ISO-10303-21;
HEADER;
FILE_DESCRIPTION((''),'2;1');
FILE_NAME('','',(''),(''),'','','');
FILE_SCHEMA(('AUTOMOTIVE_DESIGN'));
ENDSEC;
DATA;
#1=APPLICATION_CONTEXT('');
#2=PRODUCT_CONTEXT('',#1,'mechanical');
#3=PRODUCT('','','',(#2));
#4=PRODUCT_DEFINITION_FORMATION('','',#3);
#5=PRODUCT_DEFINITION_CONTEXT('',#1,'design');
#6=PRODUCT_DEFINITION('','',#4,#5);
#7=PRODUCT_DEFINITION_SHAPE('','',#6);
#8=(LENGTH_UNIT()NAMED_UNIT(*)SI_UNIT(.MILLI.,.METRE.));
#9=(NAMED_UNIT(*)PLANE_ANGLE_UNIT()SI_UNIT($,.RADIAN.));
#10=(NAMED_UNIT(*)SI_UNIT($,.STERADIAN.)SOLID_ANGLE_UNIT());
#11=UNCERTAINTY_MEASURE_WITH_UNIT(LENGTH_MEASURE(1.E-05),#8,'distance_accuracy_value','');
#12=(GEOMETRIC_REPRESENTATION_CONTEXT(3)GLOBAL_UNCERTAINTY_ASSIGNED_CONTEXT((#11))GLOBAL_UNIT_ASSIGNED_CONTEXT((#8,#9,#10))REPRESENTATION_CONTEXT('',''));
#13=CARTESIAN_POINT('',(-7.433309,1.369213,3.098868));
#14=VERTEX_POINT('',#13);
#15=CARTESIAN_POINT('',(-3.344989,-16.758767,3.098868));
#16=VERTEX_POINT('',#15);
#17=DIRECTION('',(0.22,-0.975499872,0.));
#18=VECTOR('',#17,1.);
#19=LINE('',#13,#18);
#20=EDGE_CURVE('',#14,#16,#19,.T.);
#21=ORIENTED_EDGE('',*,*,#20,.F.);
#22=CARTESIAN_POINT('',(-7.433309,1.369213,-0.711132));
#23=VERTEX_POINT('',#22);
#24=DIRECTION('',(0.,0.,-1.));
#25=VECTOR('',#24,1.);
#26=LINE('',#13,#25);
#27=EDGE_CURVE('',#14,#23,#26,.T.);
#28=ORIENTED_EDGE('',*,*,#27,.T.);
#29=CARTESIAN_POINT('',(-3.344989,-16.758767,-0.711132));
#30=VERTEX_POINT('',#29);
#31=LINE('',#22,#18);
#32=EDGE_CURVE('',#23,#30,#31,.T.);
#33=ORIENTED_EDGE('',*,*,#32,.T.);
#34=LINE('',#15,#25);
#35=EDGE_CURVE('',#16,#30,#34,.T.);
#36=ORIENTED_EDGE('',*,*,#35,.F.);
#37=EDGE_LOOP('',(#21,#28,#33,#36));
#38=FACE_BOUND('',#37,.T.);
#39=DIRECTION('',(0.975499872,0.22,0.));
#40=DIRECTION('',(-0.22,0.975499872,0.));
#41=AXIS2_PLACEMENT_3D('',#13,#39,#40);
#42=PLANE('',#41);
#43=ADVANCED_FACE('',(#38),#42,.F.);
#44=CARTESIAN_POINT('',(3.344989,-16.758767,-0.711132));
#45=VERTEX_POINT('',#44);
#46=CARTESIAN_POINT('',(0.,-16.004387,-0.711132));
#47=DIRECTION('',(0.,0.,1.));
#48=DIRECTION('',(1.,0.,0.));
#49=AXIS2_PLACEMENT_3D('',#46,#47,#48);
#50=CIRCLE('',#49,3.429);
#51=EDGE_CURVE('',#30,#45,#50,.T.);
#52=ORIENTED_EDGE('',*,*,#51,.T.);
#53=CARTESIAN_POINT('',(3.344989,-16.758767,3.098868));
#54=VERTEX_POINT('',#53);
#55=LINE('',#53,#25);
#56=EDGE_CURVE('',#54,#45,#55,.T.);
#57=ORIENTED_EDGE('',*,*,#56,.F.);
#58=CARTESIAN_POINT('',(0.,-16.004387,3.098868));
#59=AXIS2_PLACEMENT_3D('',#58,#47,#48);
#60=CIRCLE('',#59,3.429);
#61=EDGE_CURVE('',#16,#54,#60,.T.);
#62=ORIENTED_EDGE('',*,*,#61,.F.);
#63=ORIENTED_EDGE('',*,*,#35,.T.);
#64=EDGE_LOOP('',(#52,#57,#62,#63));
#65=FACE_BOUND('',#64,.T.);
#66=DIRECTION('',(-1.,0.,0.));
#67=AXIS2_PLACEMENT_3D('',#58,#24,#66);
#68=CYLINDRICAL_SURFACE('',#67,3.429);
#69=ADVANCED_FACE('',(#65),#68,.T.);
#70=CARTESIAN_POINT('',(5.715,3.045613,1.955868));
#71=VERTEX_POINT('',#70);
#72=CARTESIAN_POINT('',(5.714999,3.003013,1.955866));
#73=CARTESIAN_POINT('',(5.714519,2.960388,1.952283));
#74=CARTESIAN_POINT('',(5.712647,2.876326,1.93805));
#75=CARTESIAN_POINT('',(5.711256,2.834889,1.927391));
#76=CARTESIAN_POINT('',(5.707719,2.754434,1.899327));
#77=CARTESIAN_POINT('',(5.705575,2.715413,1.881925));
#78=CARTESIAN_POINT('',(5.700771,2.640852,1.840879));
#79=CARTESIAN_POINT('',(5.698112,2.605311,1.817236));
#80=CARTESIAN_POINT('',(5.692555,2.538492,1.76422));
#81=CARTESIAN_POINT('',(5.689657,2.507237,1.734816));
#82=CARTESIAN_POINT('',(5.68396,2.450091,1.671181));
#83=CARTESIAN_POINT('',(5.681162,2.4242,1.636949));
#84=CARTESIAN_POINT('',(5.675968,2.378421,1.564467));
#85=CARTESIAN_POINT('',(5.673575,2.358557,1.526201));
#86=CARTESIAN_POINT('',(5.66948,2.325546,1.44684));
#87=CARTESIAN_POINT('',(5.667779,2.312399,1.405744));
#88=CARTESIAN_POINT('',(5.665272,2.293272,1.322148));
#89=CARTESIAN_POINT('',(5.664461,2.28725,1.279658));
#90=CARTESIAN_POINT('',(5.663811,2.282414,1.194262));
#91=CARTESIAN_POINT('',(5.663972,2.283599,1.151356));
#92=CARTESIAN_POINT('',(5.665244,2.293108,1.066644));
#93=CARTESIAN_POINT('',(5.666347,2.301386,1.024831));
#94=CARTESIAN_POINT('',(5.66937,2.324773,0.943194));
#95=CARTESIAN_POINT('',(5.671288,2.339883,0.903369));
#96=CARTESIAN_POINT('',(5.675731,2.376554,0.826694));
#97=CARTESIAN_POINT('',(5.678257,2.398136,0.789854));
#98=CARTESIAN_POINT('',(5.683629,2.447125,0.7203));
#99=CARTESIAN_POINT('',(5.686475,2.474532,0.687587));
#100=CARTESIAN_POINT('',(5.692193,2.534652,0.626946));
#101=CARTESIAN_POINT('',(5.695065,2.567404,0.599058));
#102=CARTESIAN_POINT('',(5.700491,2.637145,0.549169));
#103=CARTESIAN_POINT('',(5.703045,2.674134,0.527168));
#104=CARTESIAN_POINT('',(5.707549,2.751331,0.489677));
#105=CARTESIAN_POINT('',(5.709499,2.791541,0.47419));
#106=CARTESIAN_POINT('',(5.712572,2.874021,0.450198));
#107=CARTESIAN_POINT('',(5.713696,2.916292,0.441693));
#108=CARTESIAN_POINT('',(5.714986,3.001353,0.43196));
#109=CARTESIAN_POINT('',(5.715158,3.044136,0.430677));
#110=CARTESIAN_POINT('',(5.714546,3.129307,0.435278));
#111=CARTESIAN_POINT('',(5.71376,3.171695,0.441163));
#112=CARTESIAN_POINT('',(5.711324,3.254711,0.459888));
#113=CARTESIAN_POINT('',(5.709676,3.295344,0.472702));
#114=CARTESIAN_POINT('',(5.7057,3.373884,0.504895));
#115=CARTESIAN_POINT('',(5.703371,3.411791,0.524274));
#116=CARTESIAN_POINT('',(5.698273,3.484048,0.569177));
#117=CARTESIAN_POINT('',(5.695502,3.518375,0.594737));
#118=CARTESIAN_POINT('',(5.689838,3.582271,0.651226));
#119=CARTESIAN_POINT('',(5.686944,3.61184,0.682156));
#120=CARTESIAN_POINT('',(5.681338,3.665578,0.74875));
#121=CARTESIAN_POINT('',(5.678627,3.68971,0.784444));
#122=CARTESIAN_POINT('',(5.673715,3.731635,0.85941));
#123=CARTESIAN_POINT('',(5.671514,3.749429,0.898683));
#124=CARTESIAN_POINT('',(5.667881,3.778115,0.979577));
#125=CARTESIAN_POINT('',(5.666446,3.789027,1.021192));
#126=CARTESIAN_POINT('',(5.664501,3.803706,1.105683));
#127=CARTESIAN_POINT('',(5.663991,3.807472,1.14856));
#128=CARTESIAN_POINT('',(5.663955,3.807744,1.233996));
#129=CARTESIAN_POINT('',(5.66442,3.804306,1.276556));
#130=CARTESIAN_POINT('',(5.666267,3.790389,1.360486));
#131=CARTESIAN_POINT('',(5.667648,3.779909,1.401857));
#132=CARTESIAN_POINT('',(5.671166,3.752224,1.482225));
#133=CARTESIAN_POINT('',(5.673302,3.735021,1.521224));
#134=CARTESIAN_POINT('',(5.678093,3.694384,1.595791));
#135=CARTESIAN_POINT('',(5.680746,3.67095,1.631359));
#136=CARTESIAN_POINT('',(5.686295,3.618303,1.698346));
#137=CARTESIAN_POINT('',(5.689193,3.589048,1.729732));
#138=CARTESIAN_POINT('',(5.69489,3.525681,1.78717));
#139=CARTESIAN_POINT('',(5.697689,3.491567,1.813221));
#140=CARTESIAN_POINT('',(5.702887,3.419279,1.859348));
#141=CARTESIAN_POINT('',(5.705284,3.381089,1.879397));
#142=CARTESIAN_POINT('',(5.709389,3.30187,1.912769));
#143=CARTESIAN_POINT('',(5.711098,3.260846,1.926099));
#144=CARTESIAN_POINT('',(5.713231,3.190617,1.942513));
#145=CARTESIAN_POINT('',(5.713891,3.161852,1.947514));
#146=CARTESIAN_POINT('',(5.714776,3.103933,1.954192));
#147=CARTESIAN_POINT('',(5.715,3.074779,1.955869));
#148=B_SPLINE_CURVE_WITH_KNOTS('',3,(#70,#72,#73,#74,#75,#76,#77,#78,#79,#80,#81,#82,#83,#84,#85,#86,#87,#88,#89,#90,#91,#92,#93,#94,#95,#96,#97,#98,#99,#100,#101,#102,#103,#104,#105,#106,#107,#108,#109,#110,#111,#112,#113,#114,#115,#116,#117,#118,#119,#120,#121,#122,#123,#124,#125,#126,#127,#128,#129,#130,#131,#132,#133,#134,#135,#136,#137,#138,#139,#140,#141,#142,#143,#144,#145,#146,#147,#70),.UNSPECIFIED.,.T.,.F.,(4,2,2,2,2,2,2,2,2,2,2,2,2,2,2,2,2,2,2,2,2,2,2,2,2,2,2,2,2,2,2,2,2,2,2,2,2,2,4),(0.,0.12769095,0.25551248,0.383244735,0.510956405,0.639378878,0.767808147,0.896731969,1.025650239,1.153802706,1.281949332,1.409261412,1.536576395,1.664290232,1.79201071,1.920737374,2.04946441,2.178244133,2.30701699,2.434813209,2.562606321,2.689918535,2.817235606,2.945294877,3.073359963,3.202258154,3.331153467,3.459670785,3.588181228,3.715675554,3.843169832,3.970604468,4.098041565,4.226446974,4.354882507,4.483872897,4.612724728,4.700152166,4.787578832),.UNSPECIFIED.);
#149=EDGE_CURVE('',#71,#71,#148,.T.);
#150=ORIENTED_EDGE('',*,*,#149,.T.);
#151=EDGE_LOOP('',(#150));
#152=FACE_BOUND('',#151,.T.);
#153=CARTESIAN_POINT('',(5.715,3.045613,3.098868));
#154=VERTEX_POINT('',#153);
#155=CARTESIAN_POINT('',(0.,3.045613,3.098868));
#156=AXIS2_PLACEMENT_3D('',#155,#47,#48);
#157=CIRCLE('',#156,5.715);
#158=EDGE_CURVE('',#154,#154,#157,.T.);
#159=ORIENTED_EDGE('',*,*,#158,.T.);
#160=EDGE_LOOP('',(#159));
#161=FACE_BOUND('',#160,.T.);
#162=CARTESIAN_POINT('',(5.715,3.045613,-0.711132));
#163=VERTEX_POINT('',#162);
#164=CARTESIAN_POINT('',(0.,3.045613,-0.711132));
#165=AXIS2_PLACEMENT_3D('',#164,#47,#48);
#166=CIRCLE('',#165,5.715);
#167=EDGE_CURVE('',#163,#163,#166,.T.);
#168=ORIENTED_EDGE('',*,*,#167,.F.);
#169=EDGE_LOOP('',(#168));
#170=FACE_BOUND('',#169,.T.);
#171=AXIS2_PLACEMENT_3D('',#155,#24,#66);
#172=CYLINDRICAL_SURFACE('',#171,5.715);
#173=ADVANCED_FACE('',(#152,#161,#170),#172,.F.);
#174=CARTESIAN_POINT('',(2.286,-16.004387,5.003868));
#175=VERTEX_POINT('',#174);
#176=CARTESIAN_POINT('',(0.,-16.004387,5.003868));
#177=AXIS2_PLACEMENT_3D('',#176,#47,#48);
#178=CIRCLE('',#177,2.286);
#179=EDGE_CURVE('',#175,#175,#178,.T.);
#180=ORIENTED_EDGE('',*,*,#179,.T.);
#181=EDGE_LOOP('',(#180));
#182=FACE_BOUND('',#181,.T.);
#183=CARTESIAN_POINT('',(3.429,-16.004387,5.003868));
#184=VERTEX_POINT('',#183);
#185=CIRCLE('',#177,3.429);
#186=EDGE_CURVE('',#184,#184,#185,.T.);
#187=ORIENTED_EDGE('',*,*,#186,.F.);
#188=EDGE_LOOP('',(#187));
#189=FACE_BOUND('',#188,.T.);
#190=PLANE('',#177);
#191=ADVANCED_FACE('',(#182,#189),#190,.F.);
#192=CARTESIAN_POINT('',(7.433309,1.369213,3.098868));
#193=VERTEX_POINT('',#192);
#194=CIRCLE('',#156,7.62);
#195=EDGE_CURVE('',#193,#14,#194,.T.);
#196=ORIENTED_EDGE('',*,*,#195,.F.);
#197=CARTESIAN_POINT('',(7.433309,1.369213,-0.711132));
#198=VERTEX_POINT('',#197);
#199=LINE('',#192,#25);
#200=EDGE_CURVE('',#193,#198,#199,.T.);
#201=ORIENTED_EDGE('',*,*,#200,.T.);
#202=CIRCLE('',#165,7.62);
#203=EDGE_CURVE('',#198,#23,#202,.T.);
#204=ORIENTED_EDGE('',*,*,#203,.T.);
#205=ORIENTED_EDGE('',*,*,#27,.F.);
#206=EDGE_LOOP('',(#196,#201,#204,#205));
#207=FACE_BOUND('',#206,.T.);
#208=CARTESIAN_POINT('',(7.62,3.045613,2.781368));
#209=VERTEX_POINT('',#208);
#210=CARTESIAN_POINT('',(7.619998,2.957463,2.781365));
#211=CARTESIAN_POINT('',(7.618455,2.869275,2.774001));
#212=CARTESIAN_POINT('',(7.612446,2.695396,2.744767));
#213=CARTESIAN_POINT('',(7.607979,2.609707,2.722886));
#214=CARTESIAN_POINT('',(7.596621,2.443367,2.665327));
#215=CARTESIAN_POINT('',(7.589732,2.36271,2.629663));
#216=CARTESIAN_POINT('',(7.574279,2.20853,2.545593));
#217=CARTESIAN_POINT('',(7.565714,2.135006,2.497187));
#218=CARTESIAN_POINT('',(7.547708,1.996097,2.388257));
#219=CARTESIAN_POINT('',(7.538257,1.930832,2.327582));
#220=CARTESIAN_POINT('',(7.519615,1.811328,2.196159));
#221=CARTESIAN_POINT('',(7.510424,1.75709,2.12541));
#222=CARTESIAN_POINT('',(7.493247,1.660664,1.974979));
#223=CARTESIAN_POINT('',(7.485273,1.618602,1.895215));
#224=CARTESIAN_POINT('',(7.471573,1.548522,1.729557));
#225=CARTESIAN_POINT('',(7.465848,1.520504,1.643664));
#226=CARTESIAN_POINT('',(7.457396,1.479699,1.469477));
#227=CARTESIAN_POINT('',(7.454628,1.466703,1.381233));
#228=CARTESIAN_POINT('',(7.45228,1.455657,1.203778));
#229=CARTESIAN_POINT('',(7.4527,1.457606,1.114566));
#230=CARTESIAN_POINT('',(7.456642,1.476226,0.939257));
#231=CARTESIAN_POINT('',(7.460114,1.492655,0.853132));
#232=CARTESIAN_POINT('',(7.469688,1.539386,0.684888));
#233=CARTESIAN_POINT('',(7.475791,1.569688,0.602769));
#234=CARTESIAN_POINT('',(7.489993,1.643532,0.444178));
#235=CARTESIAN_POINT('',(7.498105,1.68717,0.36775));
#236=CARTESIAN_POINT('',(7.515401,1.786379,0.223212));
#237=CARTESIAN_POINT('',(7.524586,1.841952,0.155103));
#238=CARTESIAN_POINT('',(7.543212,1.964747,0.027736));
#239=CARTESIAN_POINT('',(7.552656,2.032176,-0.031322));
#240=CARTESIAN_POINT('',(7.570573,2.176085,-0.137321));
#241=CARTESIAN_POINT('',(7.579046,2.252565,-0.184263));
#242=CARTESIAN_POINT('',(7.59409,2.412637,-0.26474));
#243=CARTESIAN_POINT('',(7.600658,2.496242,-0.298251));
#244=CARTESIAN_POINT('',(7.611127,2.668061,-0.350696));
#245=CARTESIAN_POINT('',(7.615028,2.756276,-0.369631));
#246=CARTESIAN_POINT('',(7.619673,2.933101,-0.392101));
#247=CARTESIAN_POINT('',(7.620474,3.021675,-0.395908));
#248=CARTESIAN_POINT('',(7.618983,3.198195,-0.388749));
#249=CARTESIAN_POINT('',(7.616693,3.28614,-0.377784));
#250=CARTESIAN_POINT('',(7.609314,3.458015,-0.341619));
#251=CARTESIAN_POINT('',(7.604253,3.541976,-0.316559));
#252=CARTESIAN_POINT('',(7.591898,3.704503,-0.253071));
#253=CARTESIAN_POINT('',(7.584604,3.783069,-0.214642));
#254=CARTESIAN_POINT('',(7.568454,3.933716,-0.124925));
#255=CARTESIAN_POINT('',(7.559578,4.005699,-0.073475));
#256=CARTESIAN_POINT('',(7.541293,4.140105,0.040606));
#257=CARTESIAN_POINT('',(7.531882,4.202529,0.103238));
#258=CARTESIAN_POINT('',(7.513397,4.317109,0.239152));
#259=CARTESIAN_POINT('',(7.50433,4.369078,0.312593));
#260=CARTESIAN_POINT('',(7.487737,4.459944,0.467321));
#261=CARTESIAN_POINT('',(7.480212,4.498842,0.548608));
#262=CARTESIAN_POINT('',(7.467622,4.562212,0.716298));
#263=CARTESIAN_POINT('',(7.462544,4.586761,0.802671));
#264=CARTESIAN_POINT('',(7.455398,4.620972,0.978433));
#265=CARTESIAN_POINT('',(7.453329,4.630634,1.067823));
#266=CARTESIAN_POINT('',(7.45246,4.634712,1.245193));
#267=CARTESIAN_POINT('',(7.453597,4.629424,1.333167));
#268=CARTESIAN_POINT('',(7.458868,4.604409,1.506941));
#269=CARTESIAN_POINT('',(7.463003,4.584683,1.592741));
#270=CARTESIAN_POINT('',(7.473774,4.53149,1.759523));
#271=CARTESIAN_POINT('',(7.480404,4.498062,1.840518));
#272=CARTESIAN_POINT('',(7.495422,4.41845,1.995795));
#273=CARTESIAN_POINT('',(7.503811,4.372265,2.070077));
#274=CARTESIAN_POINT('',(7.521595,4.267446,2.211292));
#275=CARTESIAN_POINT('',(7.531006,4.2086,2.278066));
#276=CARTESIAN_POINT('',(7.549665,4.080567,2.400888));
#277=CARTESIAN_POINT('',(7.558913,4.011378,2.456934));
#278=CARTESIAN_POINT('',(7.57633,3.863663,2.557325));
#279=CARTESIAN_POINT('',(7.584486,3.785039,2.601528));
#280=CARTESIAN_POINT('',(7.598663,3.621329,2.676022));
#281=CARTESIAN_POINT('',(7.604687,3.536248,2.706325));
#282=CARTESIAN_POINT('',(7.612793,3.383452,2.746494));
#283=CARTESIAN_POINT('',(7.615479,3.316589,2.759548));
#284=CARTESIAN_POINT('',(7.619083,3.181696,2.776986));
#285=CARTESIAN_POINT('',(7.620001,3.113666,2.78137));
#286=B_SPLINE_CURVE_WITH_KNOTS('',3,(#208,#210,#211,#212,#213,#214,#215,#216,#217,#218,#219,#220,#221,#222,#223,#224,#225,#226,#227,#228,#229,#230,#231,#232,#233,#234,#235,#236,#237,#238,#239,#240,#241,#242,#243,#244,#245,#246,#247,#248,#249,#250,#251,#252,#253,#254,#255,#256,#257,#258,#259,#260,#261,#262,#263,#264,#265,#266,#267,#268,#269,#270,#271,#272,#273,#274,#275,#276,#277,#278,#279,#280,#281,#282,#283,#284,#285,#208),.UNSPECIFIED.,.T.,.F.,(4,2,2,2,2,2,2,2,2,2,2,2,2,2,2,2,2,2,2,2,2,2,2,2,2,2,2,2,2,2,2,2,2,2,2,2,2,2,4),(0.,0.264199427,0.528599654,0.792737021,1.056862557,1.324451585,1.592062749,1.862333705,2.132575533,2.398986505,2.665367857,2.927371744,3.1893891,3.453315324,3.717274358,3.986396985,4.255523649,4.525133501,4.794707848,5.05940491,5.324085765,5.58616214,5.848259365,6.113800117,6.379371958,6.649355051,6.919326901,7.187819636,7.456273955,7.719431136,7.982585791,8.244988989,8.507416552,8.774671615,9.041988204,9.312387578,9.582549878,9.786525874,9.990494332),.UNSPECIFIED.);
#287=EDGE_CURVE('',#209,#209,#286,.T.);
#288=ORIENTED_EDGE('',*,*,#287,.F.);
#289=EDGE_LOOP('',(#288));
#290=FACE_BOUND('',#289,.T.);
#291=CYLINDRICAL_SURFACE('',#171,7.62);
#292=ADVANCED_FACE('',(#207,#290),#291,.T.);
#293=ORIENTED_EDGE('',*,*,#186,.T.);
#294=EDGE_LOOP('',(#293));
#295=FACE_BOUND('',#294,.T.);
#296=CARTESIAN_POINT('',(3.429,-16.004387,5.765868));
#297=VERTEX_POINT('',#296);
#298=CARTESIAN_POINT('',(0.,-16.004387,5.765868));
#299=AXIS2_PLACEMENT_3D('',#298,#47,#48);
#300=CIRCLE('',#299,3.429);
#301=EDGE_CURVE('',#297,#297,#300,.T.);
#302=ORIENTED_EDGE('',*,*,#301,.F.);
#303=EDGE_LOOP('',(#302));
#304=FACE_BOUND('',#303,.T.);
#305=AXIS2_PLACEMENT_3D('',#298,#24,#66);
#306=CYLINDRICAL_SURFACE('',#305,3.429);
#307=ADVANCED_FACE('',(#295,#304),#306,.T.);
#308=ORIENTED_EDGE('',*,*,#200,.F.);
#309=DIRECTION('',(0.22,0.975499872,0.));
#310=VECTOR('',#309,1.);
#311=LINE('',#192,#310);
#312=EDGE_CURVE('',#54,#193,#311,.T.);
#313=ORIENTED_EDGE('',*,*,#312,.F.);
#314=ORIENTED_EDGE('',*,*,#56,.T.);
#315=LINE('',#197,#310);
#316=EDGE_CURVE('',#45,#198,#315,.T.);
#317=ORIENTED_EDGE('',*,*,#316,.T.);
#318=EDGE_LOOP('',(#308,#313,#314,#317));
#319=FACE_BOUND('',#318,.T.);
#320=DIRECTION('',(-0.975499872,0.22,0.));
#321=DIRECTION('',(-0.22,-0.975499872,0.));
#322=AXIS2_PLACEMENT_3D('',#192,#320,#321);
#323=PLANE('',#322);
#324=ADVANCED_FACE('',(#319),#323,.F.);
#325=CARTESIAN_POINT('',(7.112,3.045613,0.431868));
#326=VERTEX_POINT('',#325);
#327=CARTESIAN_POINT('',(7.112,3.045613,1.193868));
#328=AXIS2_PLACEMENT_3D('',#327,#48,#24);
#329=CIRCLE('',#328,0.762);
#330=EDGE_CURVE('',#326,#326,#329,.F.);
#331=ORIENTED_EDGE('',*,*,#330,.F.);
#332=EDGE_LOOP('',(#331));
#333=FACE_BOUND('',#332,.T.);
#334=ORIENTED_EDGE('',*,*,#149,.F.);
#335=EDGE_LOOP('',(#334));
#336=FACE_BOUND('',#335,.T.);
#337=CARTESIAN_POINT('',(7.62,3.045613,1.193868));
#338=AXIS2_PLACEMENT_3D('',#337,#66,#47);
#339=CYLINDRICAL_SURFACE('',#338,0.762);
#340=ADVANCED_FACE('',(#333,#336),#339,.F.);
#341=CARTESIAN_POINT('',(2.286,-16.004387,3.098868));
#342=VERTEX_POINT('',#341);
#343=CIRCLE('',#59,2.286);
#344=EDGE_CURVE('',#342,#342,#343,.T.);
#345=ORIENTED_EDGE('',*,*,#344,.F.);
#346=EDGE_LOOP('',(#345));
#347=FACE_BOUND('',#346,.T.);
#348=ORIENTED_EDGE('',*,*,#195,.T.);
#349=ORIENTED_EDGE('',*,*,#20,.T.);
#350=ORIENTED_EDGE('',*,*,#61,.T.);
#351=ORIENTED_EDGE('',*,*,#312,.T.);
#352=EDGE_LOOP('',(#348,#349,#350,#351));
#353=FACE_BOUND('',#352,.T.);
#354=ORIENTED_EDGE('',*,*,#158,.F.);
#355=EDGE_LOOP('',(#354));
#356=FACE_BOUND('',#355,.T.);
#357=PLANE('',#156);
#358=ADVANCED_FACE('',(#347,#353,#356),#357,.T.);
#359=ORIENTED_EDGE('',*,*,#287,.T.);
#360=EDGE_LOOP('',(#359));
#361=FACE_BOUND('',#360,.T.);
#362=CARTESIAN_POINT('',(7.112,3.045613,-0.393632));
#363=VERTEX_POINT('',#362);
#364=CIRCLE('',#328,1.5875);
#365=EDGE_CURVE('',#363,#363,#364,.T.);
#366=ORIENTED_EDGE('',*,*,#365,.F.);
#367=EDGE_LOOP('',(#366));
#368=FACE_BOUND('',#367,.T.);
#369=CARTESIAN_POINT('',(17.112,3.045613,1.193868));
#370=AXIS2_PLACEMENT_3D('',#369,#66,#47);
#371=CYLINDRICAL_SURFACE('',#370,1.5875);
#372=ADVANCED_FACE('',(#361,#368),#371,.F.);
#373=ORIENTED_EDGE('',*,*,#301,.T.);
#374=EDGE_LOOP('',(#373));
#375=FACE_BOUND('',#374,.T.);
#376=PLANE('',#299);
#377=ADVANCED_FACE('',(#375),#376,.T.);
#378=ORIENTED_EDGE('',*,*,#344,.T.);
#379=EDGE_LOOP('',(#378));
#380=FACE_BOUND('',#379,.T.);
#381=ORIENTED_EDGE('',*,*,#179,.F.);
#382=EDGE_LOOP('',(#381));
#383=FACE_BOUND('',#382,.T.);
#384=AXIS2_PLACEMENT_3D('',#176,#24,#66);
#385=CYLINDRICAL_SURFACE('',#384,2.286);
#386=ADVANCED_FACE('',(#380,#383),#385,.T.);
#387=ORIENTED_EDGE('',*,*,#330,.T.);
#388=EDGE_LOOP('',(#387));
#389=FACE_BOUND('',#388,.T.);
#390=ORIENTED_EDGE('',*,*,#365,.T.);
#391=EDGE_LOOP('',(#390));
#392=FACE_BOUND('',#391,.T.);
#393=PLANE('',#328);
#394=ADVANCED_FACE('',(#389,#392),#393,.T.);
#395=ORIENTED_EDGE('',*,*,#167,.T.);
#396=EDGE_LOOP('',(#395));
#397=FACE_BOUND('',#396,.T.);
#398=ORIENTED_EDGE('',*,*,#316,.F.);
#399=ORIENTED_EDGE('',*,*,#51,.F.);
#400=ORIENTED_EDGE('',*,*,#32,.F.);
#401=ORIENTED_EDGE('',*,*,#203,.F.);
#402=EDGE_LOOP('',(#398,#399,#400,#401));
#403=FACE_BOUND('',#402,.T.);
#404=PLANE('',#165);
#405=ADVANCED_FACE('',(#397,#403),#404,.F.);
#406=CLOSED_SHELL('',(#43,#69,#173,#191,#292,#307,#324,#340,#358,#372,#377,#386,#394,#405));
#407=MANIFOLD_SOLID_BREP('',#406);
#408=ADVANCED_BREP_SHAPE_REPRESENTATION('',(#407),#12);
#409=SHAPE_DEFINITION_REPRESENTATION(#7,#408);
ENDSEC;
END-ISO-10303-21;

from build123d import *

# Parameters (mm, degrees)
SKETCH1_R           = 5.08
SKETCH1_R_2         = 3.81
SKETCH1_R_3         = 2.286
BOSS_EXTRUDE1_DEPTH = 2.54
SKETCH2_R           = 1.524
BOSS_EXTRUDE2_DEPTH = 1.27
SKETCH3_R           = 2.286
BOSS_EXTRUDE3_DEPTH = 0.508
SCALE1_SCALE        = 1.5
CUT_EXTRUDE1_START  = 7.112
SKETCH4_R           = 1.5875
CUT_EXTRUDE1_DEPTH  = 10
SKETCH5_R           = 0.762
CUT_EXTRUDE2_DEPTH  = 22.655627009


with BuildPart() as part:
    # Sketch1 → Boss-Extrude1 (new body)
    # profile 1 of 3: a face of its own
    with BuildSketch(Plane.XY):
        Circle(SKETCH1_R)
        Circle(SKETCH1_R_2, mode=Mode.SUBTRACT)
    # profile 2 of 3: a face of its own
    with BuildSketch(Plane.XY):
        with BuildLine():
            ThreePointArc((4.955539349, -1.1176), (0, -5.08), (-4.955539349, -1.1176))
            Line((-4.955539349, -1.1176), (-2.229992707, -13.20292))
            ThreePointArc((-2.229992707, -13.20292), (-0.253014497, -10.428044969), (2.286, -12.7))
            ThreePointArc((2.286, -12.7), (2.271955031, -12.953014497), (2.229992707, -13.20292))
            Line((2.229992707, -13.20292), (4.955539349, -1.1176))
        make_face()
    # profile 3 of 3: a face of its own
    with BuildSketch(Plane.XY):
        with Locations((0, -12.7)):
            Circle(SKETCH1_R_3)
    extrude(amount=BOSS_EXTRUDE1_DEPTH)

    # Sketch2 → Boss-Extrude2 (add)
    with BuildSketch(Plane.XY.offset(2.54)):
        with Locations((0, -12.7)):
            Circle(SKETCH2_R)
    extrude(amount=BOSS_EXTRUDE2_DEPTH)

    # Sketch3 → Boss-Extrude3 (add)
    with BuildSketch(Plane.XY.offset(3.81)):
        with Locations((0, -12.7)):
            Circle(SKETCH3_R)
    extrude(amount=BOSS_EXTRUDE3_DEPTH)


with BuildPart() as part_1:
    # Scale1: scaled about (0, -6.091225053, 1.422264494)
    add(part.part.scale(SCALE1_SCALE).moved(Location((0, 3.045612526, -0.711132247))))

    # Sketch4 → Cut-Extrude1 (cut)
    with BuildSketch(Plane(origin=(0, 0, 0), x_dir=(0, 0, -1), z_dir=(1, 0, 0)).offset(CUT_EXTRUDE1_START)):
        with Locations(Location((-1.193867753, 3.045612527, 0), (0, 0, 180))):
            Circle(SKETCH4_R)
    extrude(amount=CUT_EXTRUDE1_DEPTH, mode=Mode.SUBTRACT)

    # Sketch5 → Cut-Extrude2 (cut, through all)
    with BuildSketch(Plane(origin=(0, 0, 0), x_dir=(0, 0, -1), z_dir=(1, 0, 0))):
        with Locations((-1.193867753, 3.045612527)):
            Circle(SKETCH5_R)
    extrude(amount=CUT_EXTRUDE2_DEPTH, mode=Mode.SUBTRACT)


solid = part_1.part
